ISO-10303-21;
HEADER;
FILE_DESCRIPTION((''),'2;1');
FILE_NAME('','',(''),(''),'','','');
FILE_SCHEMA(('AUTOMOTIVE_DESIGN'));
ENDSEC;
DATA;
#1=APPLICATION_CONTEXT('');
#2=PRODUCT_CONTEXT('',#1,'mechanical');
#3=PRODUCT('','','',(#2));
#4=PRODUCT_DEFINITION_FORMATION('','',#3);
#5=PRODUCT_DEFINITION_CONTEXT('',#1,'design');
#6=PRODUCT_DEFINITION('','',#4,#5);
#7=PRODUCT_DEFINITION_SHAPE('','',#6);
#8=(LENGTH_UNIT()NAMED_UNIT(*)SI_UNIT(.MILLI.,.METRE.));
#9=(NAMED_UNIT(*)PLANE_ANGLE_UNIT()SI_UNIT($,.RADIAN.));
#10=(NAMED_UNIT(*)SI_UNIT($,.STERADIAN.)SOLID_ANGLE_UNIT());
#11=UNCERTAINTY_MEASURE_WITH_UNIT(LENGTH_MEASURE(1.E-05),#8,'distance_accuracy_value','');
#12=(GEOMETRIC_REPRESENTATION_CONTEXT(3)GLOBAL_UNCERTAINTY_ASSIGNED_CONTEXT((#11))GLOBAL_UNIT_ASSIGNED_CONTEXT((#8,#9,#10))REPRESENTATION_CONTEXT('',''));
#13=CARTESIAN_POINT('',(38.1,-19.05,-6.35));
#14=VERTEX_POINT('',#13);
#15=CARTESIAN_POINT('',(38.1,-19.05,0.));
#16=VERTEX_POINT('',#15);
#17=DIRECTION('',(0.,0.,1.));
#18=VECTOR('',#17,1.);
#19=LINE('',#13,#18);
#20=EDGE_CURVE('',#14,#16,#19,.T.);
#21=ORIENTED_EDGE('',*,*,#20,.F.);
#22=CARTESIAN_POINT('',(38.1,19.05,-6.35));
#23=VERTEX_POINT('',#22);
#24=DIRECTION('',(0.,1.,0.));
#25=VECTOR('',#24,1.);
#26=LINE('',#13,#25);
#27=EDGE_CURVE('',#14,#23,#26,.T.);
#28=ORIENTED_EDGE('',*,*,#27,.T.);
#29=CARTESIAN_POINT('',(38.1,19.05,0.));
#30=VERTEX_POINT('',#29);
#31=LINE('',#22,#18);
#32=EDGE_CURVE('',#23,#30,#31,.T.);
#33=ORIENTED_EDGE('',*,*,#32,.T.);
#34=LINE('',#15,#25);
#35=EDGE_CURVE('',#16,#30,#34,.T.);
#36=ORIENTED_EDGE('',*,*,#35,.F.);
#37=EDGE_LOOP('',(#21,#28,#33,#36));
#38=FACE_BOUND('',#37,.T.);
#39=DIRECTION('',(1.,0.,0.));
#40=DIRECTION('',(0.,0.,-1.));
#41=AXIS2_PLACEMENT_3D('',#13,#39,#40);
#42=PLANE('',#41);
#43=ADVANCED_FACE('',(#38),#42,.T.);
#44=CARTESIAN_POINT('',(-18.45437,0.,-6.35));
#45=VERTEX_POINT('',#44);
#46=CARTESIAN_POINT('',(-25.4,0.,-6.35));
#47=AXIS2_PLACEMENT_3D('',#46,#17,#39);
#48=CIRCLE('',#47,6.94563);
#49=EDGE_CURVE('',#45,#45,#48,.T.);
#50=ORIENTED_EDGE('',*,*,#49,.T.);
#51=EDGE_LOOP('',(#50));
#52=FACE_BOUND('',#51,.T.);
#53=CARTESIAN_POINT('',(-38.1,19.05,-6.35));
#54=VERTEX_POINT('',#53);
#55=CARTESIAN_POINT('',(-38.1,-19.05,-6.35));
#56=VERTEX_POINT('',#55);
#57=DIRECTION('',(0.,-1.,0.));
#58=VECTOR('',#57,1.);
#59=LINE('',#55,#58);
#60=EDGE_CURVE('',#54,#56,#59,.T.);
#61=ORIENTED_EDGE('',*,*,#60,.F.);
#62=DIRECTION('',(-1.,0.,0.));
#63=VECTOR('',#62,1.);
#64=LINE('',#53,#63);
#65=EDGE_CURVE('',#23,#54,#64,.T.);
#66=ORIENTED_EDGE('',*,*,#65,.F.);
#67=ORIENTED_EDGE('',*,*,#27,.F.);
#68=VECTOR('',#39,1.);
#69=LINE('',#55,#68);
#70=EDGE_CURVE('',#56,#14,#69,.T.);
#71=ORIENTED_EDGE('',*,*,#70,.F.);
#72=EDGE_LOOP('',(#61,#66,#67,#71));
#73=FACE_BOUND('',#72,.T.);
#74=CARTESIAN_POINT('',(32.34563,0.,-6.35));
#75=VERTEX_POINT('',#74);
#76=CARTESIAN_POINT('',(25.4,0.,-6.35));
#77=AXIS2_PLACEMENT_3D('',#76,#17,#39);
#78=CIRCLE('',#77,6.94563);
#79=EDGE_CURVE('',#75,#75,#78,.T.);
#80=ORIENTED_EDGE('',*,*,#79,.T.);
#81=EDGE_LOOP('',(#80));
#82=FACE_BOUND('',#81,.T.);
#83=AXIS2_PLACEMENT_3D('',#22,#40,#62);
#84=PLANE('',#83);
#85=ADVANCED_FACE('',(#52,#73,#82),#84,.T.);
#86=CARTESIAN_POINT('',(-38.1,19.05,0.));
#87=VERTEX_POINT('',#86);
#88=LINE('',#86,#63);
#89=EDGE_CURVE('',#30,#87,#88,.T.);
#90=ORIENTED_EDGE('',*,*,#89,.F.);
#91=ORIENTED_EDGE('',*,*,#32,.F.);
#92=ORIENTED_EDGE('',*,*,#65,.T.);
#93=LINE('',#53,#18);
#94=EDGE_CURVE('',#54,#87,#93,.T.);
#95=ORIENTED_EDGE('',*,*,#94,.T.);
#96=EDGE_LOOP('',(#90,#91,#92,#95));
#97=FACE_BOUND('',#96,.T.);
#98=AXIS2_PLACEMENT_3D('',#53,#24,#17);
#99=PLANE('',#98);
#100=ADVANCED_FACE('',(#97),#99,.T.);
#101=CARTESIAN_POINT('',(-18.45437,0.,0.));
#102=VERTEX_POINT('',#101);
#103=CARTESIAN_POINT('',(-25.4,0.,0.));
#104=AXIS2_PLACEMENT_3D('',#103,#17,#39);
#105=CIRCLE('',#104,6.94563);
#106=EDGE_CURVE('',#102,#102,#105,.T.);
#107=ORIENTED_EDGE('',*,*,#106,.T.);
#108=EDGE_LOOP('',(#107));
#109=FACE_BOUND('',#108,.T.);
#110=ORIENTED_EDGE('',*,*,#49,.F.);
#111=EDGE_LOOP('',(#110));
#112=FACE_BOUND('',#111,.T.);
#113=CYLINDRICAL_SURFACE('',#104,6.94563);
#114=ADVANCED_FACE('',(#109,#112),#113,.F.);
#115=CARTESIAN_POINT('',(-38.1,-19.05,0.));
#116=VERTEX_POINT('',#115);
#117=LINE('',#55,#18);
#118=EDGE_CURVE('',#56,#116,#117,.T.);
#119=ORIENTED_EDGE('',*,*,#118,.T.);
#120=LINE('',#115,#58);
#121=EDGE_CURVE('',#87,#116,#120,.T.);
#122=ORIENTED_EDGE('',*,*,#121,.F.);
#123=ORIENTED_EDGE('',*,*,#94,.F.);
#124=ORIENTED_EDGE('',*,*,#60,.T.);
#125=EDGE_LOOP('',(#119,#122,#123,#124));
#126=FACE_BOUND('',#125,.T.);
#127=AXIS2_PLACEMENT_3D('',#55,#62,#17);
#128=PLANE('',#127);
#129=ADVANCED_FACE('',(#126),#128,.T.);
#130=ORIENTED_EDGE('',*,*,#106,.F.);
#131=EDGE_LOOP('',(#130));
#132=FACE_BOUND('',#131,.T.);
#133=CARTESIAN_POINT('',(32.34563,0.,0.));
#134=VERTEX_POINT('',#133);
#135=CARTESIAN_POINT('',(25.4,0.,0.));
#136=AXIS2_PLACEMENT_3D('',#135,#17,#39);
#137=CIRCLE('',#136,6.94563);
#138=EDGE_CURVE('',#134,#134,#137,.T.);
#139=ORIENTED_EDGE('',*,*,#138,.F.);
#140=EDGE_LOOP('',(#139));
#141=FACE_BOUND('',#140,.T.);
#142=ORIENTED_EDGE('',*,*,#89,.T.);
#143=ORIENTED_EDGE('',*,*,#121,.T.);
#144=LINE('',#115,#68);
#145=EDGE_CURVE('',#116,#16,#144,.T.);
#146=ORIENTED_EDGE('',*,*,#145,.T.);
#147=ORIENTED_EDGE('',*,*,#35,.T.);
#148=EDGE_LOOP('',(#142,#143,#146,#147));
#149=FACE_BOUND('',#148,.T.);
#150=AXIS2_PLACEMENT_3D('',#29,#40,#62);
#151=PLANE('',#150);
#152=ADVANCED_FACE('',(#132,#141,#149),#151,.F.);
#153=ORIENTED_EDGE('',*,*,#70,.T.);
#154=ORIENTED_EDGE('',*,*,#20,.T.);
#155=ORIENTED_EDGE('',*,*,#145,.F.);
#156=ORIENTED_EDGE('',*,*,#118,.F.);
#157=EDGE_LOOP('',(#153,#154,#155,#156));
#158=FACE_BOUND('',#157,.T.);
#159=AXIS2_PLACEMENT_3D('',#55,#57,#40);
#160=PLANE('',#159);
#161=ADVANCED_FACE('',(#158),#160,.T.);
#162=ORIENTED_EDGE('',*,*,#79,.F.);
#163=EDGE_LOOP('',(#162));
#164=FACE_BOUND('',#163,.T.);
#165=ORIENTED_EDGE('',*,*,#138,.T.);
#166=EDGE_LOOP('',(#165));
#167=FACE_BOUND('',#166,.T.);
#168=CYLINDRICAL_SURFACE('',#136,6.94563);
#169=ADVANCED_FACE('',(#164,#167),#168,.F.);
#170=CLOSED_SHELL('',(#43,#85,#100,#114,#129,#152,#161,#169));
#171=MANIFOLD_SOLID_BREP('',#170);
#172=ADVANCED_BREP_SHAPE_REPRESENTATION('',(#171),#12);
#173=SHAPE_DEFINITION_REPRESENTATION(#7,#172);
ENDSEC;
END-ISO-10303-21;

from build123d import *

# Parameters (mm, degrees)
SKETCH1_W                   = 76.2
SKETCH1_H                   = 38.1
EXTRUDE1_DEPTH              = 6.35
F_1_2_CLEARANCE_HOLE1_D     = 13.89126
F_1_2_CLEARANCE_HOLE1_DEPTH = 6.35
F_1_2_CLEARANCE_HOLE1_TIP   = 4.173355541


with BuildPart() as part:
    # Sketch1 → Extrude1 (new body)
    with BuildSketch(Plane.XY):
        Rectangle(SKETCH1_W, SKETCH1_H)
    extrude(amount=-EXTRUDE1_DEPTH)

    # 1/2 Clearance Hole1
    with Locations(Plane.XY):
        with Locations((-25.4, 0), (25.4, 0)):
            Hole(F_1_2_CLEARANCE_HOLE1_D / 2, depth=F_1_2_CLEARANCE_HOLE1_DEPTH)
            with Locations((0, 0, -(F_1_2_CLEARANCE_HOLE1_DEPTH + F_1_2_CLEARANCE_HOLE1_TIP / 2))):  # 118° drill point
                Cone(0, F_1_2_CLEARANCE_HOLE1_D / 2, F_1_2_CLEARANCE_HOLE1_TIP, mode=Mode.SUBTRACT)


solid = part.part
